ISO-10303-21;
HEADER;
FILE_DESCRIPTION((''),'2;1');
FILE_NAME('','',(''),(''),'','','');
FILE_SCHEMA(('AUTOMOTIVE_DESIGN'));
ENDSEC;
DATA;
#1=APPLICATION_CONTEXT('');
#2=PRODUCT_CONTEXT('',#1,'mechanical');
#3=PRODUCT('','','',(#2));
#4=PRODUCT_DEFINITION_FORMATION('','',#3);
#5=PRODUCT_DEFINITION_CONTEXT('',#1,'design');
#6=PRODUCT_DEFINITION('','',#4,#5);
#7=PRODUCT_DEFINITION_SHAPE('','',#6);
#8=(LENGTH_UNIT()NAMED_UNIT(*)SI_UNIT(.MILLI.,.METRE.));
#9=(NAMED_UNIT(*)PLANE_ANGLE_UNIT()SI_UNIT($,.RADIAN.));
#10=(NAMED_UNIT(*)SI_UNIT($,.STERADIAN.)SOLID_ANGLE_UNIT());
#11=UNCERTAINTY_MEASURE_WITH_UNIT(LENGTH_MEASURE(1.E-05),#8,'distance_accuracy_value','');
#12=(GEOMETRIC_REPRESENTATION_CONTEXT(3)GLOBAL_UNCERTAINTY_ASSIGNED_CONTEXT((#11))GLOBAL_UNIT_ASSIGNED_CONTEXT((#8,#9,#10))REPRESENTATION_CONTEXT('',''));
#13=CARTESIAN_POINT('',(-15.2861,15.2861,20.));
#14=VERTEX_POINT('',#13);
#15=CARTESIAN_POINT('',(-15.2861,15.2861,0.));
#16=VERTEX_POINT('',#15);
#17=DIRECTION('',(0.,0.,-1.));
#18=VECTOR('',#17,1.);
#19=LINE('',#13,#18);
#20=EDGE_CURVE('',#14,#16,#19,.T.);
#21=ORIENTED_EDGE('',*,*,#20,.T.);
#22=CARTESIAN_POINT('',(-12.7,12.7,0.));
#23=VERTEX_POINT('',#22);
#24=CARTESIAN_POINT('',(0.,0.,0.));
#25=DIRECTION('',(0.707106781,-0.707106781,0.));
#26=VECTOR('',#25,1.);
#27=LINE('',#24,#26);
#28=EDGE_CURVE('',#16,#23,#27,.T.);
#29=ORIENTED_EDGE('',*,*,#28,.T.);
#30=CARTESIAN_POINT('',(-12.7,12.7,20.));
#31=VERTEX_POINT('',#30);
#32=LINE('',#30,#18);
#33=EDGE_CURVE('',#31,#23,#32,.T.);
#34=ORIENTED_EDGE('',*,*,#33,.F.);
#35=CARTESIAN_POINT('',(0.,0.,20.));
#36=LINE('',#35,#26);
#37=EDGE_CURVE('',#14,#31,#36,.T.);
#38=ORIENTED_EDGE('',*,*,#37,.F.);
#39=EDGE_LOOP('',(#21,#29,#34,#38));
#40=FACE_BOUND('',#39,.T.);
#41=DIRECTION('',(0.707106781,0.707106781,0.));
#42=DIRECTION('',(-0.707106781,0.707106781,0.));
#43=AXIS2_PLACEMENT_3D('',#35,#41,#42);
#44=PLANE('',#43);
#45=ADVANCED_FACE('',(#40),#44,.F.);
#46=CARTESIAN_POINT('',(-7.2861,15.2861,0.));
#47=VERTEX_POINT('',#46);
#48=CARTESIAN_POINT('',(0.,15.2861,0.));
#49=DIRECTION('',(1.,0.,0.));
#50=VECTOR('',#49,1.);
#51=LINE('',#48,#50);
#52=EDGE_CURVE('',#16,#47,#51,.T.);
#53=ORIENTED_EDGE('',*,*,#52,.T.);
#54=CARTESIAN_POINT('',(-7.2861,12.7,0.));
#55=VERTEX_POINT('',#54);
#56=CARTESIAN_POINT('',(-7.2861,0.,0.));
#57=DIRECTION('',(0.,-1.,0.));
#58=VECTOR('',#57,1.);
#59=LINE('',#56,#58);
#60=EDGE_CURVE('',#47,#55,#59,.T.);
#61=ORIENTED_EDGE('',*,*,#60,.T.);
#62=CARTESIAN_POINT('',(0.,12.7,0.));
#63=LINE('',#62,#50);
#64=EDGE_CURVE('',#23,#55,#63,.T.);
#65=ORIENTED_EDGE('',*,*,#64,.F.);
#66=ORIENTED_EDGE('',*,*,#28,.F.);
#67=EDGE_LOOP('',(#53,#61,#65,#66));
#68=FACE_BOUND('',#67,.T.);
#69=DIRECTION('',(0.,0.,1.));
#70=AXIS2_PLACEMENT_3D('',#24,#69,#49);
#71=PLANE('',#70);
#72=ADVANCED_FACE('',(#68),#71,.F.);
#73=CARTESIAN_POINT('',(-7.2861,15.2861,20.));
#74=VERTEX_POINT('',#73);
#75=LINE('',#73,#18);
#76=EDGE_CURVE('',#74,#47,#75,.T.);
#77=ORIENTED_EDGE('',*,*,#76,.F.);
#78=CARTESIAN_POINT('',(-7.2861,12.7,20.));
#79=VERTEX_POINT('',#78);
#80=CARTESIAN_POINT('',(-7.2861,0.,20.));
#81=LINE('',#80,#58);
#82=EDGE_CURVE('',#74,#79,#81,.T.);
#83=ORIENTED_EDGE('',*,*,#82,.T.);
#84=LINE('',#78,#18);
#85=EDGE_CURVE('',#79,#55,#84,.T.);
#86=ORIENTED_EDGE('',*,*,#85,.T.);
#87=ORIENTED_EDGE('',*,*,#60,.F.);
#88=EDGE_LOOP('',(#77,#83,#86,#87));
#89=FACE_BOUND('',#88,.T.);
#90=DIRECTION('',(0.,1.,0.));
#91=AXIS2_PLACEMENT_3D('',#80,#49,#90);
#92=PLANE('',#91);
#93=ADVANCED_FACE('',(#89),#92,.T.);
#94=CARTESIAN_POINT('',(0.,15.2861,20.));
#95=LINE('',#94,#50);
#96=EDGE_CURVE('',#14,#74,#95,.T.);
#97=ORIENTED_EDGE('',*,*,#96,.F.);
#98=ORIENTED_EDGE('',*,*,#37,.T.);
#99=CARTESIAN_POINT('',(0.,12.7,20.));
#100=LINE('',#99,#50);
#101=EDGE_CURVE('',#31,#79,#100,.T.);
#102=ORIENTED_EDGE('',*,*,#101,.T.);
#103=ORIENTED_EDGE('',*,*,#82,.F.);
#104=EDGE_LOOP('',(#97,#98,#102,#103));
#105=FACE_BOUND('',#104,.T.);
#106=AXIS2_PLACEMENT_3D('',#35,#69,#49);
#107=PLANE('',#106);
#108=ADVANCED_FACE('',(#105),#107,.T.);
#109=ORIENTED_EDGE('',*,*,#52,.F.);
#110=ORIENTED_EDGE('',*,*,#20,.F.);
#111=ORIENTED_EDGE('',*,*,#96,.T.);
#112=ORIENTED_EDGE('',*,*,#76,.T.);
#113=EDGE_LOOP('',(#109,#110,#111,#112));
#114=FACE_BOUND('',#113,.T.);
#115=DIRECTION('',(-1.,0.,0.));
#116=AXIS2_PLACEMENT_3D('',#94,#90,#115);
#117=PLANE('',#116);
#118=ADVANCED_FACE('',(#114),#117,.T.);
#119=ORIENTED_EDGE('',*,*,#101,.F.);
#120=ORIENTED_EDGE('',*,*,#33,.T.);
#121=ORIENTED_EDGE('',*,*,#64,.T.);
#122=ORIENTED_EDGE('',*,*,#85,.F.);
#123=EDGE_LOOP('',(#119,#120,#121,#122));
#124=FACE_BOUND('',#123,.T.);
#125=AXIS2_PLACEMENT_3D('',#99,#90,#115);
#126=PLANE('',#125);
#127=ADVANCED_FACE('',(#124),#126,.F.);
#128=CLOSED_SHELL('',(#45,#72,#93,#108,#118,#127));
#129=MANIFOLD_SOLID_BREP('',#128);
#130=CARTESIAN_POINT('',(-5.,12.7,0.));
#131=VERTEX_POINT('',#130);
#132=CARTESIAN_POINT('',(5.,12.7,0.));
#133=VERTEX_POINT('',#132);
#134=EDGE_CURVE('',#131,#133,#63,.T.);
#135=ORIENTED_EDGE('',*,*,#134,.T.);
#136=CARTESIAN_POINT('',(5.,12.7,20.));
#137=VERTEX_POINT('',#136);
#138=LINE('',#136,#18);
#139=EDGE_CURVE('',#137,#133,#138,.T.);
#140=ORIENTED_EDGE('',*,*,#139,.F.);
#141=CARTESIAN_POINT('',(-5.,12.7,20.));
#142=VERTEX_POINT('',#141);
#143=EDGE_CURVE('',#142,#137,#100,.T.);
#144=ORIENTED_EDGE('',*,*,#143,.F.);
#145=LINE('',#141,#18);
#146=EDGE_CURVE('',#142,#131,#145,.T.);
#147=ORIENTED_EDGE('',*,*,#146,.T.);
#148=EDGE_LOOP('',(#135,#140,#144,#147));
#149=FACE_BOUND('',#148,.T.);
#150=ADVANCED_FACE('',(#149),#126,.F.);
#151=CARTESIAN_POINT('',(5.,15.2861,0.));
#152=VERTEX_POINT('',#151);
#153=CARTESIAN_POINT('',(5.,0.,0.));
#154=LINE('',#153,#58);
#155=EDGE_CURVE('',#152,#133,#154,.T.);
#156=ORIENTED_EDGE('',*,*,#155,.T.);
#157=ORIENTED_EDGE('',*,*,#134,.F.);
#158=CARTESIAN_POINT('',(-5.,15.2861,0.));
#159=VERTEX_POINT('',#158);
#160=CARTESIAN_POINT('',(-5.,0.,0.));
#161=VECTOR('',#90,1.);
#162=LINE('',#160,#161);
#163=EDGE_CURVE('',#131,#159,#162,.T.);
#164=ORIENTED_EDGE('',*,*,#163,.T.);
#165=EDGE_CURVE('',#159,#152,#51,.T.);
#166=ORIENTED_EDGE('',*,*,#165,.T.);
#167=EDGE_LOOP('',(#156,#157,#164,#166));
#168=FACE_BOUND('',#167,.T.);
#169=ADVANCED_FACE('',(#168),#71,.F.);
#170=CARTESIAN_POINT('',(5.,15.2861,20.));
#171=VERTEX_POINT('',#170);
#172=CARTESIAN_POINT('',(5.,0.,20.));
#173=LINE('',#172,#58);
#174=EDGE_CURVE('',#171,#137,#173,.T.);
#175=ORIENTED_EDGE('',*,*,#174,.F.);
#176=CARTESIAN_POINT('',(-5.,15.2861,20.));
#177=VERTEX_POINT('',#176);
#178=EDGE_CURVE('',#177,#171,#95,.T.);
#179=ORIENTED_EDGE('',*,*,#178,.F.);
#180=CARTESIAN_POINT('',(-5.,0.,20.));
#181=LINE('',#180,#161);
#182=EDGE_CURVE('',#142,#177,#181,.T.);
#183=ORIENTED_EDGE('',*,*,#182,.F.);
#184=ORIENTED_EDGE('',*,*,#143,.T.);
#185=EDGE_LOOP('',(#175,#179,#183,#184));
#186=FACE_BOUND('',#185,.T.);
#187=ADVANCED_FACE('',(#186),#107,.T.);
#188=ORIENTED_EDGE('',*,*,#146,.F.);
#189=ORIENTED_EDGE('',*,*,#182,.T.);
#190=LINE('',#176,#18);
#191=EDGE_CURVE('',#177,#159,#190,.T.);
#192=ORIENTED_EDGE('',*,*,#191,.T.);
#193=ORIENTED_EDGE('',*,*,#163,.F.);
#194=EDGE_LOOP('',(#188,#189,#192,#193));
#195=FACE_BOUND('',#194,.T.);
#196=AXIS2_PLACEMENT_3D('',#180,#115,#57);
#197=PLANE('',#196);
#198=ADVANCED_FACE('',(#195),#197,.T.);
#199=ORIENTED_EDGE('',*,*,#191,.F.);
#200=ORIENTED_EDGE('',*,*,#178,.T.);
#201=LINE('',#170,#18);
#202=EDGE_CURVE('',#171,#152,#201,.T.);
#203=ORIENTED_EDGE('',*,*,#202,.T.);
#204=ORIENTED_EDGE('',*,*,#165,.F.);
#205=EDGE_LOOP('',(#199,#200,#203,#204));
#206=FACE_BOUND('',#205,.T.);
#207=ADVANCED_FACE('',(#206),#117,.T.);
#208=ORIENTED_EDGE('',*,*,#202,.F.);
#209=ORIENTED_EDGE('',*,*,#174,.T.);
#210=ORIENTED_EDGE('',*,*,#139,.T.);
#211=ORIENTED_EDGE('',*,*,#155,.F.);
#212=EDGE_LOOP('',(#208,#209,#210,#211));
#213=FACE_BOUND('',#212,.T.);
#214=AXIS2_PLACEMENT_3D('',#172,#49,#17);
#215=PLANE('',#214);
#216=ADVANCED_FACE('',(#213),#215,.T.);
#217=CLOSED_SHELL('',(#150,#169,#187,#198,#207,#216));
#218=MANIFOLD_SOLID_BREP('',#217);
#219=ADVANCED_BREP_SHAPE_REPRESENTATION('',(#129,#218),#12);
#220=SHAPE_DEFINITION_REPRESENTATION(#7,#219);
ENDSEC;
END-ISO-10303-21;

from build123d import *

# Parameters (mm, degrees)
BOSS_EXTRUDE1_DEPTH   = 20
SKETCH1_W             = 10
SKETCH1_H             = 2.5861
BOSS_EXTRUDE1_2_DEPTH = 20


with BuildPart() as part:
    # Sketch1 → Boss-Extrude1 (new body)
    with BuildSketch(Plane.XY):
        Polygon((-7.2861, 15.2861), (-15.2861, 15.2861), (-12.7, 12.7), (-7.2861, 12.7), align=None)
    extrude(amount=BOSS_EXTRUDE1_DEPTH)


with BuildPart() as body_2:
    # Sketch1 → Boss-Extrude1 2 (new body)
    with BuildSketch(Plane.XY):
        with Locations((0, 13.99305)):
            Rectangle(SKETCH1_W, SKETCH1_H)
    extrude(amount=BOSS_EXTRUDE1_2_DEPTH)


solid = Compound([part.part, body_2.part])
